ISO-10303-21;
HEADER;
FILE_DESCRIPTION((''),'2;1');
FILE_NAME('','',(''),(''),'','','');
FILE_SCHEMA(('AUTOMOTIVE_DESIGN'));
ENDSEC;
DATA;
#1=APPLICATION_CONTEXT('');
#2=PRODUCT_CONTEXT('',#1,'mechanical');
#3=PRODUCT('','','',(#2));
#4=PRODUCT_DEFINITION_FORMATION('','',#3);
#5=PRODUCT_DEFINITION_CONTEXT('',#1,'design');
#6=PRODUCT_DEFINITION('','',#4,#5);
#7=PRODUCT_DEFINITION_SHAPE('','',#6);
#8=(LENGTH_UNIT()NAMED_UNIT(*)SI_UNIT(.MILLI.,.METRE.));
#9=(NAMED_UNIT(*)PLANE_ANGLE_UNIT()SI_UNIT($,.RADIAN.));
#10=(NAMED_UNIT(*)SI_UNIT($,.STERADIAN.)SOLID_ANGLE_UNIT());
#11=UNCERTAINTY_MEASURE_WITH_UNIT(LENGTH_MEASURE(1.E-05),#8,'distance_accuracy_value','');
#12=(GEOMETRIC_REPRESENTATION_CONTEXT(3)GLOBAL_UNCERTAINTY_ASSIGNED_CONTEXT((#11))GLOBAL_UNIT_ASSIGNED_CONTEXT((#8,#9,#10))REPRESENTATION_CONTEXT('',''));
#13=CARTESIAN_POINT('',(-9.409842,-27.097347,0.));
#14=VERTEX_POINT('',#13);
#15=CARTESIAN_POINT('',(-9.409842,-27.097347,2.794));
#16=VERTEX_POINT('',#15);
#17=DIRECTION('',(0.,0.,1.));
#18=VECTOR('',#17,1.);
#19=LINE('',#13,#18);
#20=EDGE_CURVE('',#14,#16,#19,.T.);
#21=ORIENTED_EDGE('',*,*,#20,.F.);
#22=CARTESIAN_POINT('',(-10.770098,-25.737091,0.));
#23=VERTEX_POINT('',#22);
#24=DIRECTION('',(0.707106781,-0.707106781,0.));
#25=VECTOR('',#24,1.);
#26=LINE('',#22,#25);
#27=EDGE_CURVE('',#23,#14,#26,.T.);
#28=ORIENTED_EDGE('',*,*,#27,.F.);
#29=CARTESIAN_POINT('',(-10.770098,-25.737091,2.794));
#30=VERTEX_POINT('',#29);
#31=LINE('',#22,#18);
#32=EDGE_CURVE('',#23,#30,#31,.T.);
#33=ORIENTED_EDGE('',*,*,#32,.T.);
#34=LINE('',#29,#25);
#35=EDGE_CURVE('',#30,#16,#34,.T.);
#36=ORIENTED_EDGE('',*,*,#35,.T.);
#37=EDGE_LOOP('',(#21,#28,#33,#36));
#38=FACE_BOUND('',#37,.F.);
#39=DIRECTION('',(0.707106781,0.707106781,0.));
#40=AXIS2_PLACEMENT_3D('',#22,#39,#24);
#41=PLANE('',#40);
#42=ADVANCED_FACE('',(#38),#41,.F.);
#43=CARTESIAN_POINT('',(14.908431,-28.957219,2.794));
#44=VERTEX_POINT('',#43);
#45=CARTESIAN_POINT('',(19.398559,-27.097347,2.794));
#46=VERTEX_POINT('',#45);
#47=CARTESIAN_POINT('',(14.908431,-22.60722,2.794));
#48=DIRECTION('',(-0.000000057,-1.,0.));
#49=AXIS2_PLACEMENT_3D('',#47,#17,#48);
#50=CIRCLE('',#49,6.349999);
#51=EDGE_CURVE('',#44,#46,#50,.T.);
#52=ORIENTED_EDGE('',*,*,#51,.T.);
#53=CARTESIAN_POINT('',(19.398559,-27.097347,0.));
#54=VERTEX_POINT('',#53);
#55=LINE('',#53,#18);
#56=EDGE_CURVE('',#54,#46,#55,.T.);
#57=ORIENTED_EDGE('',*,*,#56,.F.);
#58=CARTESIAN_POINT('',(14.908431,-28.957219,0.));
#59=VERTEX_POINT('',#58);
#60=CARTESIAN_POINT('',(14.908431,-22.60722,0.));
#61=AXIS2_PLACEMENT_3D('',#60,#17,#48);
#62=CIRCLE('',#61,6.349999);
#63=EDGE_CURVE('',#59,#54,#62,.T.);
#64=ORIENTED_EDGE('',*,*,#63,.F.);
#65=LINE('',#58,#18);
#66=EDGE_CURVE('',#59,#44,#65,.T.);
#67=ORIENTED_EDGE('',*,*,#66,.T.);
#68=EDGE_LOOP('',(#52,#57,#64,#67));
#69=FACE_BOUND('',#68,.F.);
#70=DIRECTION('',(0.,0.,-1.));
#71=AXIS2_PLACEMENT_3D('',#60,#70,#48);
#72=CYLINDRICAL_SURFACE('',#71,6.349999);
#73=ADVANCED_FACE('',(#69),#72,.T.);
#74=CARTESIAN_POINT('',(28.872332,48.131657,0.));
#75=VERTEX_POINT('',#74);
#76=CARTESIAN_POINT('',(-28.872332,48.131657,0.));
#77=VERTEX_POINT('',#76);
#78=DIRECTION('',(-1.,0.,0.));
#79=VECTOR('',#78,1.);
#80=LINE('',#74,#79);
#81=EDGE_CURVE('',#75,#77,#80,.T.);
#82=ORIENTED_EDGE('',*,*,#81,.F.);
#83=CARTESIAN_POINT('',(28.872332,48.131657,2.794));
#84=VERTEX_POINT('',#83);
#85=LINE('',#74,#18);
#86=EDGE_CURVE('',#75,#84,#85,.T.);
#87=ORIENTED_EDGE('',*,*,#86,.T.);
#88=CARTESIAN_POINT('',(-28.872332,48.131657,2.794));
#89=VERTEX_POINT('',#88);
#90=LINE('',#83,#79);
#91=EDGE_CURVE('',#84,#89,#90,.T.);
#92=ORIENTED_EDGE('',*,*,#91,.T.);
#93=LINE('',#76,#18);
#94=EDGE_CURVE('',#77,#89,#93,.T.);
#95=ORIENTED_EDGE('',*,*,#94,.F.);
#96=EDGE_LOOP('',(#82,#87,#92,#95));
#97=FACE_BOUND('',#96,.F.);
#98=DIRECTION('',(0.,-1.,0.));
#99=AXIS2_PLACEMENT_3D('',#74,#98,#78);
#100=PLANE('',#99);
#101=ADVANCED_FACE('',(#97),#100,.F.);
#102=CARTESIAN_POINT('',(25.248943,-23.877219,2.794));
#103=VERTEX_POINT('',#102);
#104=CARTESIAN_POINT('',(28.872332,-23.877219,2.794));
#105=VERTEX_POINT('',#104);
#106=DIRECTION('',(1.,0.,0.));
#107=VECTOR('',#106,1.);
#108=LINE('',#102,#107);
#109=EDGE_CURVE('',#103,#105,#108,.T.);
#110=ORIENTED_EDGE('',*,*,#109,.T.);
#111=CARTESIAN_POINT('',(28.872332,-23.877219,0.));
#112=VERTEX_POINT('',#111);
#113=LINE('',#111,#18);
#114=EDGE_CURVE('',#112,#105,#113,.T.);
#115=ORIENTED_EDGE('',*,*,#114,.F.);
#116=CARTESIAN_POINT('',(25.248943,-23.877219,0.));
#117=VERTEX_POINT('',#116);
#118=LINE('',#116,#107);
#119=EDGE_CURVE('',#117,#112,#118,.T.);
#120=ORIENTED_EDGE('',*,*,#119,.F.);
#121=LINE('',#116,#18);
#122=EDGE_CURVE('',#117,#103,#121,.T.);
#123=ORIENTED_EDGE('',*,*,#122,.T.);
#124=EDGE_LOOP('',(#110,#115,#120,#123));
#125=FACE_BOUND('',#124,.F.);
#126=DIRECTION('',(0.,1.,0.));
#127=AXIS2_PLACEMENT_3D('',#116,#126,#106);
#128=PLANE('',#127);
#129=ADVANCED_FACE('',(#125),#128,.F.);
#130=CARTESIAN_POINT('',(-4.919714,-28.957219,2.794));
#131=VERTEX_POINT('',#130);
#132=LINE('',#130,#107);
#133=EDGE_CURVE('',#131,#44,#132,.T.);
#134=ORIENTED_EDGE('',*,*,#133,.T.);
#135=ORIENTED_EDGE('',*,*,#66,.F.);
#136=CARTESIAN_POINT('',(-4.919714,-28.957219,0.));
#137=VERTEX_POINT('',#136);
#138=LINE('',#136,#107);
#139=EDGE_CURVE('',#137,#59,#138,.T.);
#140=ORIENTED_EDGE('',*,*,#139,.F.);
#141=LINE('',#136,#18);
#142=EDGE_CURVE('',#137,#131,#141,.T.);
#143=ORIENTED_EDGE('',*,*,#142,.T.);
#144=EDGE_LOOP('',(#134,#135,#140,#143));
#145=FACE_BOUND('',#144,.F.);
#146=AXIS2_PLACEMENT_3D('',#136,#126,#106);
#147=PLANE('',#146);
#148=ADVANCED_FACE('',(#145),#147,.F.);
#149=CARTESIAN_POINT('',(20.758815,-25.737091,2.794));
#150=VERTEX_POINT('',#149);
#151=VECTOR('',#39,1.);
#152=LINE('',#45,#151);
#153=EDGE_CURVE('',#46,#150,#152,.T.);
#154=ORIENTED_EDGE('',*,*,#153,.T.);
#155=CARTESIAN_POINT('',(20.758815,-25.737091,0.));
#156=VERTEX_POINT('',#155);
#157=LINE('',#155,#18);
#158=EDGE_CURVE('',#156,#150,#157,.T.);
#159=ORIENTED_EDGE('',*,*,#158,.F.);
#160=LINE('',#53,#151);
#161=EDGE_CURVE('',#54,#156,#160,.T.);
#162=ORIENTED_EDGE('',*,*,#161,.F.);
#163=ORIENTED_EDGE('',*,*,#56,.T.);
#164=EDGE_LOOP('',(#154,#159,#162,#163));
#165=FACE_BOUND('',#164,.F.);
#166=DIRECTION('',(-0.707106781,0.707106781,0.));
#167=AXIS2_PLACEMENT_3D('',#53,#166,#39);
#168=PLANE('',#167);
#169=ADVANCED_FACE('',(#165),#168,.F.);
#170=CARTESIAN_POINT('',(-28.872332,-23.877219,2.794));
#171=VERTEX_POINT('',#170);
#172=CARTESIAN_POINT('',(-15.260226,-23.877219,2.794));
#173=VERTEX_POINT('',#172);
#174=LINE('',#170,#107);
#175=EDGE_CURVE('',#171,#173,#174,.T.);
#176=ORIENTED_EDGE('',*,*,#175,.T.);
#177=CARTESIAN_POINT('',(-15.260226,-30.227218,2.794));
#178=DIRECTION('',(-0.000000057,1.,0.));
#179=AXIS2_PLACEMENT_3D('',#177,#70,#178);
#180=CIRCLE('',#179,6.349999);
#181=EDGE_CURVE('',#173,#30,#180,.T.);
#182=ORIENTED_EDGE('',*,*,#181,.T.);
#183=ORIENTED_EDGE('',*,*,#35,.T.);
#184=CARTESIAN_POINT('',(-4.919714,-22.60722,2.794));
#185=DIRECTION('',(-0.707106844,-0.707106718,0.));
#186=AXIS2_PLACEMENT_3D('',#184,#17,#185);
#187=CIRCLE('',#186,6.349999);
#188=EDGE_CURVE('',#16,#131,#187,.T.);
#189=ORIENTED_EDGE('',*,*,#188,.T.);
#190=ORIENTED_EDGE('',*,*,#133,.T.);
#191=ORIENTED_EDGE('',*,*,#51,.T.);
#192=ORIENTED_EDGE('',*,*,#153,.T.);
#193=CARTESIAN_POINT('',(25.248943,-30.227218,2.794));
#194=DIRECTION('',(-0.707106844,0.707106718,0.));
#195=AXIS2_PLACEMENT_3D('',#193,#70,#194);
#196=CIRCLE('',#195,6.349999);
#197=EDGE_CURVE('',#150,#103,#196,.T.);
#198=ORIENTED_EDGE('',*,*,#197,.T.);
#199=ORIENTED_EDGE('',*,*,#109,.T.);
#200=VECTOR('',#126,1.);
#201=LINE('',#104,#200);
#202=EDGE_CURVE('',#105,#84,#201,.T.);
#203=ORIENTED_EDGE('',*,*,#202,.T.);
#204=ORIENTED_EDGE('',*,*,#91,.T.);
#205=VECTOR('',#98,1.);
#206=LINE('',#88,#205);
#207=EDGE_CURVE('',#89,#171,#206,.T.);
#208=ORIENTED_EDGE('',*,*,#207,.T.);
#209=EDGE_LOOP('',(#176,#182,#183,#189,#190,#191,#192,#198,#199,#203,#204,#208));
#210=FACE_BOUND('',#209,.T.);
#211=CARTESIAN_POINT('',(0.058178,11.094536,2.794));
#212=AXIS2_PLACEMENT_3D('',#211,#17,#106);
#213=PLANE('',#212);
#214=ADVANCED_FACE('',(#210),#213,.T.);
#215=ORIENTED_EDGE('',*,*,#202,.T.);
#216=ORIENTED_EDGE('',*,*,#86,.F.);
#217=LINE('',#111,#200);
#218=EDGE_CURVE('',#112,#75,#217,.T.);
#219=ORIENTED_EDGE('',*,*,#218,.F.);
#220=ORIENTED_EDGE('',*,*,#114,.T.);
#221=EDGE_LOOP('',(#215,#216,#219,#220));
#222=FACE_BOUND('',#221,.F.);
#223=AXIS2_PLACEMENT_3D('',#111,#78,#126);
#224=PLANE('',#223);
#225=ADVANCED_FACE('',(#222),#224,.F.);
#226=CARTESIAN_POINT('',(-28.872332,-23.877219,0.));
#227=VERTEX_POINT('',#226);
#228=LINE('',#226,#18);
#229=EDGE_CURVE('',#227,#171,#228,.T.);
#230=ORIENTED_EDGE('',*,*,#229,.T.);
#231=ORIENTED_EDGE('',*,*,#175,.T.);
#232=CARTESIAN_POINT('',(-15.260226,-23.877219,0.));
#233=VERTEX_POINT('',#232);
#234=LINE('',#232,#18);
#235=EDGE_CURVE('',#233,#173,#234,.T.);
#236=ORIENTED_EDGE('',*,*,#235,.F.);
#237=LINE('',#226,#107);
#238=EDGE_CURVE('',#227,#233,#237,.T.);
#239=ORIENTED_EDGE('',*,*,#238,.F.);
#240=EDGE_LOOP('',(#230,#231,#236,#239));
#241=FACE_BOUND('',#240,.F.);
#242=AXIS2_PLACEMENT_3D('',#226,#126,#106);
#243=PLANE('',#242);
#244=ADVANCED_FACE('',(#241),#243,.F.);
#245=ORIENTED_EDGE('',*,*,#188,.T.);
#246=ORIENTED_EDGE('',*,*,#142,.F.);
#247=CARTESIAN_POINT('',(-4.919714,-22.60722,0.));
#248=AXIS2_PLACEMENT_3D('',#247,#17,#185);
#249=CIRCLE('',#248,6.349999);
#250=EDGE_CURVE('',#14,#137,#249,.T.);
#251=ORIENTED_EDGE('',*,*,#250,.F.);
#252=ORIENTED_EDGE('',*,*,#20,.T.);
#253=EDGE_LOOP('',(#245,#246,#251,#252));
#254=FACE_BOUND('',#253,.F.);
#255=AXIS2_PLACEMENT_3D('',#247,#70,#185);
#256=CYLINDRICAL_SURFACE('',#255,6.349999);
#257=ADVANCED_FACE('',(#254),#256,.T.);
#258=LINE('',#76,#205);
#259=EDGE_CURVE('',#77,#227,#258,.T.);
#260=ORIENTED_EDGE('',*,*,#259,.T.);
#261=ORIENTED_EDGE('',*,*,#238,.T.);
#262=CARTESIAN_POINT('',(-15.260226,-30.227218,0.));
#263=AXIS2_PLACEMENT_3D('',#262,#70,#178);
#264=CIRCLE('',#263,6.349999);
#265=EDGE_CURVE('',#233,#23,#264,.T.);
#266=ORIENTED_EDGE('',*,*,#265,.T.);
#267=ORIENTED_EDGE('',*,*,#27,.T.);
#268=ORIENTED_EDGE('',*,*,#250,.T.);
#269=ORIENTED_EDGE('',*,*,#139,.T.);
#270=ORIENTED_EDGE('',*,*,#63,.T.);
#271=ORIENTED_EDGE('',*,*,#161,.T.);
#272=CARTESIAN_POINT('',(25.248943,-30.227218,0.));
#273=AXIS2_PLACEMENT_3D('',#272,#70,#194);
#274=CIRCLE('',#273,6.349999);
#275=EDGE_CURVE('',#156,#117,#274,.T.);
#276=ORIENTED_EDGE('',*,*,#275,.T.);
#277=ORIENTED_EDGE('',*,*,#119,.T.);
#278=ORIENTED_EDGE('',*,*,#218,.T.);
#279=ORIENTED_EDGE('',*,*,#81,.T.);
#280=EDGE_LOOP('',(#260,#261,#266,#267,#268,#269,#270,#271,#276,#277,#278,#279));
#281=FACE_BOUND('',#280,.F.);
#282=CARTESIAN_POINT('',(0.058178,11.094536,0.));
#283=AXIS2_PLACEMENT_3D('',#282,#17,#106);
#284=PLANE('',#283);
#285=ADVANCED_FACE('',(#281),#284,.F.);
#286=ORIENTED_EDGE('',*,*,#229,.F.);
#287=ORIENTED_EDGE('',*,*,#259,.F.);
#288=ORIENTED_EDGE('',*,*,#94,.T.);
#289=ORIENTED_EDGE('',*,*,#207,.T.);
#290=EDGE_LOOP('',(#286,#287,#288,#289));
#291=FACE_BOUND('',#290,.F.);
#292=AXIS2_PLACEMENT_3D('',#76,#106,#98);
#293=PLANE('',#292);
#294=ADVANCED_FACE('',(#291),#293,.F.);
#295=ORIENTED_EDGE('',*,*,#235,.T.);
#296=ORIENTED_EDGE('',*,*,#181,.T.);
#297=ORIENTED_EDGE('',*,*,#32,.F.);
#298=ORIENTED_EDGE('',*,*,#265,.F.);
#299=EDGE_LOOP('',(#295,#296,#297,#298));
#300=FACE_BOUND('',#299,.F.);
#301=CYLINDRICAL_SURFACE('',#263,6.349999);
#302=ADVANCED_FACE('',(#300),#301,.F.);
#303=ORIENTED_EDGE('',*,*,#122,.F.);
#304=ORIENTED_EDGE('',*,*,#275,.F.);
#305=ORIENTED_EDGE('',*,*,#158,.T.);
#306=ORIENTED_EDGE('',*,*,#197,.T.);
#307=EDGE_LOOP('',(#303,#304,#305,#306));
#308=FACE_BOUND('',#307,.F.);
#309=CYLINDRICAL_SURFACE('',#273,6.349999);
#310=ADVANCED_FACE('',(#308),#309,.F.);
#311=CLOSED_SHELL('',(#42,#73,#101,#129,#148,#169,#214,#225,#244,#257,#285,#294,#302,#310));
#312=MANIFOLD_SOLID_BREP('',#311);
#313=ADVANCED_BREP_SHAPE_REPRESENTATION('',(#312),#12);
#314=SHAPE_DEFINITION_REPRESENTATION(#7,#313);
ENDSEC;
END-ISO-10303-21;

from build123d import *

# Parameters (mm, degrees)
F1_DEPTH = 2.794


with BuildPart() as f1:
    # F0 (on Top) → F1 (new body)
    with BuildSketch(Plane.XY):
        with BuildLine():
            Line((28.872332, 48.131657), (-28.872332, 48.131657))
            Line((-28.872332, 48.131657), (-28.872332, -23.877219))
            Line((-28.872332, -23.877219), (-15.260226, -23.877219))
            ThreePointArc((-15.260226, -23.877219), (-12.830186, -24.360584), (-10.770098, -25.737091))
            Line((-10.770098, -25.737091), (-9.409842, -27.097347))
            ThreePointArc((-9.409842, -27.097347), (-7.349754, -28.473854), (-4.919714, -28.957219))
            Line((-4.919714, -28.957219), (14.908431, -28.957219))
            ThreePointArc((14.908431, -28.957219), (17.338471, -28.473854), (19.398559, -27.097347))
            Line((19.398559, -27.097347), (20.758815, -25.737091))
            ThreePointArc((20.758815, -25.737091), (22.818903, -24.360584), (25.248943, -23.877219))
            Line((25.248943, -23.877219), (28.872332, -23.877219))
            Line((28.872332, -23.877219), (28.872332, 48.131657))
        make_face()
    extrude(amount=F1_DEPTH)


solid = f1.part
